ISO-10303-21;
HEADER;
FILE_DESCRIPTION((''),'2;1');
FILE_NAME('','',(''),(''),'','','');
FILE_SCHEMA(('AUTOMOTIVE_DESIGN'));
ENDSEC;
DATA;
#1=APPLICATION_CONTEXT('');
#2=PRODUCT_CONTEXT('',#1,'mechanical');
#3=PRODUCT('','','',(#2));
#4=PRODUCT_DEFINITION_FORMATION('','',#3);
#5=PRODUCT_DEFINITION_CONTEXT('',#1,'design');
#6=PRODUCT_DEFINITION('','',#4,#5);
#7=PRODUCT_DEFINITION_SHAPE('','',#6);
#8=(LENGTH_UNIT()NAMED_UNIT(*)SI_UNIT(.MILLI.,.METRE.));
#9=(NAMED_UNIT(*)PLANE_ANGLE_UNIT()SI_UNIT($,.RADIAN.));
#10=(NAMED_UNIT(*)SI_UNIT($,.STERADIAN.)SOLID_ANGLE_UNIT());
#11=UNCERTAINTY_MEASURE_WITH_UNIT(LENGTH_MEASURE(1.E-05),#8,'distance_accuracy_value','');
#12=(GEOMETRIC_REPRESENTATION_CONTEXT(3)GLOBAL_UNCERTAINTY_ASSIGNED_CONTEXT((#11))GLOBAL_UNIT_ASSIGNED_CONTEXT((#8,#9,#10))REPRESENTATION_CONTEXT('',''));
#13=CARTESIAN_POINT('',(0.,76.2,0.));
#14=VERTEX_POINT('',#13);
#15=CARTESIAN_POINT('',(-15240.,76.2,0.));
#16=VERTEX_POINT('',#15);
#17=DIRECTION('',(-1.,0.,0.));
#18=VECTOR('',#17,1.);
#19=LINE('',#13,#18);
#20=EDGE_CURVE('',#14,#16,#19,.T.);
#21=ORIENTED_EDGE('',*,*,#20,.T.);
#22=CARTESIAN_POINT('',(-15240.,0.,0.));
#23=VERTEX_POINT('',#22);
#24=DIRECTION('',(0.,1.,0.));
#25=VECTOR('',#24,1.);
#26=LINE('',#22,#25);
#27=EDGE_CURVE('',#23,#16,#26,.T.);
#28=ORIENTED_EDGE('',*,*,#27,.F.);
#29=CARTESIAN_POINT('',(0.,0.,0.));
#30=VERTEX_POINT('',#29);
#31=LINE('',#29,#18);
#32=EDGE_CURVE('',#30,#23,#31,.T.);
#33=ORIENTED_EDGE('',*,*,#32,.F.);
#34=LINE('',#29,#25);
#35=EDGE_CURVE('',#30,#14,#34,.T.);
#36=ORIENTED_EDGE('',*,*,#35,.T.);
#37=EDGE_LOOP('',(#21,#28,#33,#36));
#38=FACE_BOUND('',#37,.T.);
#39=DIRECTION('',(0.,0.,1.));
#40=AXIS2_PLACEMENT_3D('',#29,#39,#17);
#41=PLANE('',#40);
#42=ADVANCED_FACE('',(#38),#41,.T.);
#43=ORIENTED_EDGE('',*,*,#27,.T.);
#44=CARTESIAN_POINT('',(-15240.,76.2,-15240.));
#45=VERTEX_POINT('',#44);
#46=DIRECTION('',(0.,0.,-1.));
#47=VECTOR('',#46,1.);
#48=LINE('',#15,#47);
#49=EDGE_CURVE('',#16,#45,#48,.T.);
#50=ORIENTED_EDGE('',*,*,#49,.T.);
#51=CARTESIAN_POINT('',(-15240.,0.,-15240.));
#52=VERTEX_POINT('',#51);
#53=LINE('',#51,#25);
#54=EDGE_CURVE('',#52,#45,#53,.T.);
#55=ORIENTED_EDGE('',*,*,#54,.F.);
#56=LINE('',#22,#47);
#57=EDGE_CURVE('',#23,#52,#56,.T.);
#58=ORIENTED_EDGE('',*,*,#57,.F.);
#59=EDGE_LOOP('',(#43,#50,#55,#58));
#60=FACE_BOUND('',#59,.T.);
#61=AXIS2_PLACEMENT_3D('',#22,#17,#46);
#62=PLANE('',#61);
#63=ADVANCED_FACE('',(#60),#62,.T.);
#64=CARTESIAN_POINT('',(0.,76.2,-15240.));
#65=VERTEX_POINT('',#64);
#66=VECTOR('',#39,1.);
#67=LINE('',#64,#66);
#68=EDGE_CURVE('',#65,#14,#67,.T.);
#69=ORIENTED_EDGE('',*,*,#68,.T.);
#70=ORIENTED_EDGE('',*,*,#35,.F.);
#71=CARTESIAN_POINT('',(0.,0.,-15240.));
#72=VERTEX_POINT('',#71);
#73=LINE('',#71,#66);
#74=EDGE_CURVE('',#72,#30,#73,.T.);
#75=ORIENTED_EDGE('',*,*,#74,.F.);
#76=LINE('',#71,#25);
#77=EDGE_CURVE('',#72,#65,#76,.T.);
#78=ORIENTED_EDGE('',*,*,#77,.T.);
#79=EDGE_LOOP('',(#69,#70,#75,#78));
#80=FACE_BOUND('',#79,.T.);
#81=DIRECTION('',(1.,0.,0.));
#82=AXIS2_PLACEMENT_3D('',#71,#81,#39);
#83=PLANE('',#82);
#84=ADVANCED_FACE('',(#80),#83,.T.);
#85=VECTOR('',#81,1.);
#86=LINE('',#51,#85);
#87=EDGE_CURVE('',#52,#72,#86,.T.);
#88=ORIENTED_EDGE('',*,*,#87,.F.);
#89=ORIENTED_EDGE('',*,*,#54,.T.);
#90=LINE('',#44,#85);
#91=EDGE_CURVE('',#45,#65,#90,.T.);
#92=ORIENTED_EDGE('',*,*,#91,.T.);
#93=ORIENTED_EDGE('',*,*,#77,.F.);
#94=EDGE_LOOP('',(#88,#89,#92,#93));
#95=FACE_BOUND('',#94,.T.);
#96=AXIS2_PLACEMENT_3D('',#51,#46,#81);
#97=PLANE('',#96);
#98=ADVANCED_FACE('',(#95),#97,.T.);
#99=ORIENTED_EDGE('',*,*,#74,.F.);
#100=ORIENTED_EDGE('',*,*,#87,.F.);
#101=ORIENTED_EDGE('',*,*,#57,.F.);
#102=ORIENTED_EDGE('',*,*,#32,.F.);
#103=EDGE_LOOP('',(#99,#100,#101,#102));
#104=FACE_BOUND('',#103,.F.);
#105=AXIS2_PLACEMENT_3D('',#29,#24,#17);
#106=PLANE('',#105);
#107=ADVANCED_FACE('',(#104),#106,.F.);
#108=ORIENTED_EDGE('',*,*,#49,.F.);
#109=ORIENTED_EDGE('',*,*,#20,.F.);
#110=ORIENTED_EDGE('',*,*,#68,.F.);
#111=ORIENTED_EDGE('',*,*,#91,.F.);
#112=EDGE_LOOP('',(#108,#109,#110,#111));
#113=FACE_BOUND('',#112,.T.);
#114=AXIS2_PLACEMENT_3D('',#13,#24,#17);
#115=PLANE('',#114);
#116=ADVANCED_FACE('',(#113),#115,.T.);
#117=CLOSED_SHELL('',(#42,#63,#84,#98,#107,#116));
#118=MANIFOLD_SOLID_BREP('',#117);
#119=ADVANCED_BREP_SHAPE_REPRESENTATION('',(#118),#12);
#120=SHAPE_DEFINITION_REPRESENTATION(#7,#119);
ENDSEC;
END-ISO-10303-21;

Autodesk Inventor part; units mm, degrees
ref_plane "YZ Plane" through (0, 0, 0) normal (1, 0, 0) x (0, 1, 0)
ref_plane "XZ Plane" through (0, 0, 0) normal (0, 1, 0) x (-1, 0, 0)
ref_plane "XY Plane" through (0, 0, 0) normal (0, 0, 1) x (1, 0, 0)
sketch "Sketch1" plane through (0, 0, 0) normal (0, 1, 0) x (-1, 0, 0)
  line L0 (0, 0) -> (15240, 0)
  line L1 (15240, 0) -> (15240, -15240)
  line L2 (15240, -15240) -> (0, -15240)
  line L3 (0, -15240) -> (0, 0)
  dimension "d0" = 15240
  dimension "d1" = 15240
extrude "Extrusion1" add sketch "Sketch1" along normal blind 76.2
properties part number "floor_50_100" material "Wood (Birch)"
